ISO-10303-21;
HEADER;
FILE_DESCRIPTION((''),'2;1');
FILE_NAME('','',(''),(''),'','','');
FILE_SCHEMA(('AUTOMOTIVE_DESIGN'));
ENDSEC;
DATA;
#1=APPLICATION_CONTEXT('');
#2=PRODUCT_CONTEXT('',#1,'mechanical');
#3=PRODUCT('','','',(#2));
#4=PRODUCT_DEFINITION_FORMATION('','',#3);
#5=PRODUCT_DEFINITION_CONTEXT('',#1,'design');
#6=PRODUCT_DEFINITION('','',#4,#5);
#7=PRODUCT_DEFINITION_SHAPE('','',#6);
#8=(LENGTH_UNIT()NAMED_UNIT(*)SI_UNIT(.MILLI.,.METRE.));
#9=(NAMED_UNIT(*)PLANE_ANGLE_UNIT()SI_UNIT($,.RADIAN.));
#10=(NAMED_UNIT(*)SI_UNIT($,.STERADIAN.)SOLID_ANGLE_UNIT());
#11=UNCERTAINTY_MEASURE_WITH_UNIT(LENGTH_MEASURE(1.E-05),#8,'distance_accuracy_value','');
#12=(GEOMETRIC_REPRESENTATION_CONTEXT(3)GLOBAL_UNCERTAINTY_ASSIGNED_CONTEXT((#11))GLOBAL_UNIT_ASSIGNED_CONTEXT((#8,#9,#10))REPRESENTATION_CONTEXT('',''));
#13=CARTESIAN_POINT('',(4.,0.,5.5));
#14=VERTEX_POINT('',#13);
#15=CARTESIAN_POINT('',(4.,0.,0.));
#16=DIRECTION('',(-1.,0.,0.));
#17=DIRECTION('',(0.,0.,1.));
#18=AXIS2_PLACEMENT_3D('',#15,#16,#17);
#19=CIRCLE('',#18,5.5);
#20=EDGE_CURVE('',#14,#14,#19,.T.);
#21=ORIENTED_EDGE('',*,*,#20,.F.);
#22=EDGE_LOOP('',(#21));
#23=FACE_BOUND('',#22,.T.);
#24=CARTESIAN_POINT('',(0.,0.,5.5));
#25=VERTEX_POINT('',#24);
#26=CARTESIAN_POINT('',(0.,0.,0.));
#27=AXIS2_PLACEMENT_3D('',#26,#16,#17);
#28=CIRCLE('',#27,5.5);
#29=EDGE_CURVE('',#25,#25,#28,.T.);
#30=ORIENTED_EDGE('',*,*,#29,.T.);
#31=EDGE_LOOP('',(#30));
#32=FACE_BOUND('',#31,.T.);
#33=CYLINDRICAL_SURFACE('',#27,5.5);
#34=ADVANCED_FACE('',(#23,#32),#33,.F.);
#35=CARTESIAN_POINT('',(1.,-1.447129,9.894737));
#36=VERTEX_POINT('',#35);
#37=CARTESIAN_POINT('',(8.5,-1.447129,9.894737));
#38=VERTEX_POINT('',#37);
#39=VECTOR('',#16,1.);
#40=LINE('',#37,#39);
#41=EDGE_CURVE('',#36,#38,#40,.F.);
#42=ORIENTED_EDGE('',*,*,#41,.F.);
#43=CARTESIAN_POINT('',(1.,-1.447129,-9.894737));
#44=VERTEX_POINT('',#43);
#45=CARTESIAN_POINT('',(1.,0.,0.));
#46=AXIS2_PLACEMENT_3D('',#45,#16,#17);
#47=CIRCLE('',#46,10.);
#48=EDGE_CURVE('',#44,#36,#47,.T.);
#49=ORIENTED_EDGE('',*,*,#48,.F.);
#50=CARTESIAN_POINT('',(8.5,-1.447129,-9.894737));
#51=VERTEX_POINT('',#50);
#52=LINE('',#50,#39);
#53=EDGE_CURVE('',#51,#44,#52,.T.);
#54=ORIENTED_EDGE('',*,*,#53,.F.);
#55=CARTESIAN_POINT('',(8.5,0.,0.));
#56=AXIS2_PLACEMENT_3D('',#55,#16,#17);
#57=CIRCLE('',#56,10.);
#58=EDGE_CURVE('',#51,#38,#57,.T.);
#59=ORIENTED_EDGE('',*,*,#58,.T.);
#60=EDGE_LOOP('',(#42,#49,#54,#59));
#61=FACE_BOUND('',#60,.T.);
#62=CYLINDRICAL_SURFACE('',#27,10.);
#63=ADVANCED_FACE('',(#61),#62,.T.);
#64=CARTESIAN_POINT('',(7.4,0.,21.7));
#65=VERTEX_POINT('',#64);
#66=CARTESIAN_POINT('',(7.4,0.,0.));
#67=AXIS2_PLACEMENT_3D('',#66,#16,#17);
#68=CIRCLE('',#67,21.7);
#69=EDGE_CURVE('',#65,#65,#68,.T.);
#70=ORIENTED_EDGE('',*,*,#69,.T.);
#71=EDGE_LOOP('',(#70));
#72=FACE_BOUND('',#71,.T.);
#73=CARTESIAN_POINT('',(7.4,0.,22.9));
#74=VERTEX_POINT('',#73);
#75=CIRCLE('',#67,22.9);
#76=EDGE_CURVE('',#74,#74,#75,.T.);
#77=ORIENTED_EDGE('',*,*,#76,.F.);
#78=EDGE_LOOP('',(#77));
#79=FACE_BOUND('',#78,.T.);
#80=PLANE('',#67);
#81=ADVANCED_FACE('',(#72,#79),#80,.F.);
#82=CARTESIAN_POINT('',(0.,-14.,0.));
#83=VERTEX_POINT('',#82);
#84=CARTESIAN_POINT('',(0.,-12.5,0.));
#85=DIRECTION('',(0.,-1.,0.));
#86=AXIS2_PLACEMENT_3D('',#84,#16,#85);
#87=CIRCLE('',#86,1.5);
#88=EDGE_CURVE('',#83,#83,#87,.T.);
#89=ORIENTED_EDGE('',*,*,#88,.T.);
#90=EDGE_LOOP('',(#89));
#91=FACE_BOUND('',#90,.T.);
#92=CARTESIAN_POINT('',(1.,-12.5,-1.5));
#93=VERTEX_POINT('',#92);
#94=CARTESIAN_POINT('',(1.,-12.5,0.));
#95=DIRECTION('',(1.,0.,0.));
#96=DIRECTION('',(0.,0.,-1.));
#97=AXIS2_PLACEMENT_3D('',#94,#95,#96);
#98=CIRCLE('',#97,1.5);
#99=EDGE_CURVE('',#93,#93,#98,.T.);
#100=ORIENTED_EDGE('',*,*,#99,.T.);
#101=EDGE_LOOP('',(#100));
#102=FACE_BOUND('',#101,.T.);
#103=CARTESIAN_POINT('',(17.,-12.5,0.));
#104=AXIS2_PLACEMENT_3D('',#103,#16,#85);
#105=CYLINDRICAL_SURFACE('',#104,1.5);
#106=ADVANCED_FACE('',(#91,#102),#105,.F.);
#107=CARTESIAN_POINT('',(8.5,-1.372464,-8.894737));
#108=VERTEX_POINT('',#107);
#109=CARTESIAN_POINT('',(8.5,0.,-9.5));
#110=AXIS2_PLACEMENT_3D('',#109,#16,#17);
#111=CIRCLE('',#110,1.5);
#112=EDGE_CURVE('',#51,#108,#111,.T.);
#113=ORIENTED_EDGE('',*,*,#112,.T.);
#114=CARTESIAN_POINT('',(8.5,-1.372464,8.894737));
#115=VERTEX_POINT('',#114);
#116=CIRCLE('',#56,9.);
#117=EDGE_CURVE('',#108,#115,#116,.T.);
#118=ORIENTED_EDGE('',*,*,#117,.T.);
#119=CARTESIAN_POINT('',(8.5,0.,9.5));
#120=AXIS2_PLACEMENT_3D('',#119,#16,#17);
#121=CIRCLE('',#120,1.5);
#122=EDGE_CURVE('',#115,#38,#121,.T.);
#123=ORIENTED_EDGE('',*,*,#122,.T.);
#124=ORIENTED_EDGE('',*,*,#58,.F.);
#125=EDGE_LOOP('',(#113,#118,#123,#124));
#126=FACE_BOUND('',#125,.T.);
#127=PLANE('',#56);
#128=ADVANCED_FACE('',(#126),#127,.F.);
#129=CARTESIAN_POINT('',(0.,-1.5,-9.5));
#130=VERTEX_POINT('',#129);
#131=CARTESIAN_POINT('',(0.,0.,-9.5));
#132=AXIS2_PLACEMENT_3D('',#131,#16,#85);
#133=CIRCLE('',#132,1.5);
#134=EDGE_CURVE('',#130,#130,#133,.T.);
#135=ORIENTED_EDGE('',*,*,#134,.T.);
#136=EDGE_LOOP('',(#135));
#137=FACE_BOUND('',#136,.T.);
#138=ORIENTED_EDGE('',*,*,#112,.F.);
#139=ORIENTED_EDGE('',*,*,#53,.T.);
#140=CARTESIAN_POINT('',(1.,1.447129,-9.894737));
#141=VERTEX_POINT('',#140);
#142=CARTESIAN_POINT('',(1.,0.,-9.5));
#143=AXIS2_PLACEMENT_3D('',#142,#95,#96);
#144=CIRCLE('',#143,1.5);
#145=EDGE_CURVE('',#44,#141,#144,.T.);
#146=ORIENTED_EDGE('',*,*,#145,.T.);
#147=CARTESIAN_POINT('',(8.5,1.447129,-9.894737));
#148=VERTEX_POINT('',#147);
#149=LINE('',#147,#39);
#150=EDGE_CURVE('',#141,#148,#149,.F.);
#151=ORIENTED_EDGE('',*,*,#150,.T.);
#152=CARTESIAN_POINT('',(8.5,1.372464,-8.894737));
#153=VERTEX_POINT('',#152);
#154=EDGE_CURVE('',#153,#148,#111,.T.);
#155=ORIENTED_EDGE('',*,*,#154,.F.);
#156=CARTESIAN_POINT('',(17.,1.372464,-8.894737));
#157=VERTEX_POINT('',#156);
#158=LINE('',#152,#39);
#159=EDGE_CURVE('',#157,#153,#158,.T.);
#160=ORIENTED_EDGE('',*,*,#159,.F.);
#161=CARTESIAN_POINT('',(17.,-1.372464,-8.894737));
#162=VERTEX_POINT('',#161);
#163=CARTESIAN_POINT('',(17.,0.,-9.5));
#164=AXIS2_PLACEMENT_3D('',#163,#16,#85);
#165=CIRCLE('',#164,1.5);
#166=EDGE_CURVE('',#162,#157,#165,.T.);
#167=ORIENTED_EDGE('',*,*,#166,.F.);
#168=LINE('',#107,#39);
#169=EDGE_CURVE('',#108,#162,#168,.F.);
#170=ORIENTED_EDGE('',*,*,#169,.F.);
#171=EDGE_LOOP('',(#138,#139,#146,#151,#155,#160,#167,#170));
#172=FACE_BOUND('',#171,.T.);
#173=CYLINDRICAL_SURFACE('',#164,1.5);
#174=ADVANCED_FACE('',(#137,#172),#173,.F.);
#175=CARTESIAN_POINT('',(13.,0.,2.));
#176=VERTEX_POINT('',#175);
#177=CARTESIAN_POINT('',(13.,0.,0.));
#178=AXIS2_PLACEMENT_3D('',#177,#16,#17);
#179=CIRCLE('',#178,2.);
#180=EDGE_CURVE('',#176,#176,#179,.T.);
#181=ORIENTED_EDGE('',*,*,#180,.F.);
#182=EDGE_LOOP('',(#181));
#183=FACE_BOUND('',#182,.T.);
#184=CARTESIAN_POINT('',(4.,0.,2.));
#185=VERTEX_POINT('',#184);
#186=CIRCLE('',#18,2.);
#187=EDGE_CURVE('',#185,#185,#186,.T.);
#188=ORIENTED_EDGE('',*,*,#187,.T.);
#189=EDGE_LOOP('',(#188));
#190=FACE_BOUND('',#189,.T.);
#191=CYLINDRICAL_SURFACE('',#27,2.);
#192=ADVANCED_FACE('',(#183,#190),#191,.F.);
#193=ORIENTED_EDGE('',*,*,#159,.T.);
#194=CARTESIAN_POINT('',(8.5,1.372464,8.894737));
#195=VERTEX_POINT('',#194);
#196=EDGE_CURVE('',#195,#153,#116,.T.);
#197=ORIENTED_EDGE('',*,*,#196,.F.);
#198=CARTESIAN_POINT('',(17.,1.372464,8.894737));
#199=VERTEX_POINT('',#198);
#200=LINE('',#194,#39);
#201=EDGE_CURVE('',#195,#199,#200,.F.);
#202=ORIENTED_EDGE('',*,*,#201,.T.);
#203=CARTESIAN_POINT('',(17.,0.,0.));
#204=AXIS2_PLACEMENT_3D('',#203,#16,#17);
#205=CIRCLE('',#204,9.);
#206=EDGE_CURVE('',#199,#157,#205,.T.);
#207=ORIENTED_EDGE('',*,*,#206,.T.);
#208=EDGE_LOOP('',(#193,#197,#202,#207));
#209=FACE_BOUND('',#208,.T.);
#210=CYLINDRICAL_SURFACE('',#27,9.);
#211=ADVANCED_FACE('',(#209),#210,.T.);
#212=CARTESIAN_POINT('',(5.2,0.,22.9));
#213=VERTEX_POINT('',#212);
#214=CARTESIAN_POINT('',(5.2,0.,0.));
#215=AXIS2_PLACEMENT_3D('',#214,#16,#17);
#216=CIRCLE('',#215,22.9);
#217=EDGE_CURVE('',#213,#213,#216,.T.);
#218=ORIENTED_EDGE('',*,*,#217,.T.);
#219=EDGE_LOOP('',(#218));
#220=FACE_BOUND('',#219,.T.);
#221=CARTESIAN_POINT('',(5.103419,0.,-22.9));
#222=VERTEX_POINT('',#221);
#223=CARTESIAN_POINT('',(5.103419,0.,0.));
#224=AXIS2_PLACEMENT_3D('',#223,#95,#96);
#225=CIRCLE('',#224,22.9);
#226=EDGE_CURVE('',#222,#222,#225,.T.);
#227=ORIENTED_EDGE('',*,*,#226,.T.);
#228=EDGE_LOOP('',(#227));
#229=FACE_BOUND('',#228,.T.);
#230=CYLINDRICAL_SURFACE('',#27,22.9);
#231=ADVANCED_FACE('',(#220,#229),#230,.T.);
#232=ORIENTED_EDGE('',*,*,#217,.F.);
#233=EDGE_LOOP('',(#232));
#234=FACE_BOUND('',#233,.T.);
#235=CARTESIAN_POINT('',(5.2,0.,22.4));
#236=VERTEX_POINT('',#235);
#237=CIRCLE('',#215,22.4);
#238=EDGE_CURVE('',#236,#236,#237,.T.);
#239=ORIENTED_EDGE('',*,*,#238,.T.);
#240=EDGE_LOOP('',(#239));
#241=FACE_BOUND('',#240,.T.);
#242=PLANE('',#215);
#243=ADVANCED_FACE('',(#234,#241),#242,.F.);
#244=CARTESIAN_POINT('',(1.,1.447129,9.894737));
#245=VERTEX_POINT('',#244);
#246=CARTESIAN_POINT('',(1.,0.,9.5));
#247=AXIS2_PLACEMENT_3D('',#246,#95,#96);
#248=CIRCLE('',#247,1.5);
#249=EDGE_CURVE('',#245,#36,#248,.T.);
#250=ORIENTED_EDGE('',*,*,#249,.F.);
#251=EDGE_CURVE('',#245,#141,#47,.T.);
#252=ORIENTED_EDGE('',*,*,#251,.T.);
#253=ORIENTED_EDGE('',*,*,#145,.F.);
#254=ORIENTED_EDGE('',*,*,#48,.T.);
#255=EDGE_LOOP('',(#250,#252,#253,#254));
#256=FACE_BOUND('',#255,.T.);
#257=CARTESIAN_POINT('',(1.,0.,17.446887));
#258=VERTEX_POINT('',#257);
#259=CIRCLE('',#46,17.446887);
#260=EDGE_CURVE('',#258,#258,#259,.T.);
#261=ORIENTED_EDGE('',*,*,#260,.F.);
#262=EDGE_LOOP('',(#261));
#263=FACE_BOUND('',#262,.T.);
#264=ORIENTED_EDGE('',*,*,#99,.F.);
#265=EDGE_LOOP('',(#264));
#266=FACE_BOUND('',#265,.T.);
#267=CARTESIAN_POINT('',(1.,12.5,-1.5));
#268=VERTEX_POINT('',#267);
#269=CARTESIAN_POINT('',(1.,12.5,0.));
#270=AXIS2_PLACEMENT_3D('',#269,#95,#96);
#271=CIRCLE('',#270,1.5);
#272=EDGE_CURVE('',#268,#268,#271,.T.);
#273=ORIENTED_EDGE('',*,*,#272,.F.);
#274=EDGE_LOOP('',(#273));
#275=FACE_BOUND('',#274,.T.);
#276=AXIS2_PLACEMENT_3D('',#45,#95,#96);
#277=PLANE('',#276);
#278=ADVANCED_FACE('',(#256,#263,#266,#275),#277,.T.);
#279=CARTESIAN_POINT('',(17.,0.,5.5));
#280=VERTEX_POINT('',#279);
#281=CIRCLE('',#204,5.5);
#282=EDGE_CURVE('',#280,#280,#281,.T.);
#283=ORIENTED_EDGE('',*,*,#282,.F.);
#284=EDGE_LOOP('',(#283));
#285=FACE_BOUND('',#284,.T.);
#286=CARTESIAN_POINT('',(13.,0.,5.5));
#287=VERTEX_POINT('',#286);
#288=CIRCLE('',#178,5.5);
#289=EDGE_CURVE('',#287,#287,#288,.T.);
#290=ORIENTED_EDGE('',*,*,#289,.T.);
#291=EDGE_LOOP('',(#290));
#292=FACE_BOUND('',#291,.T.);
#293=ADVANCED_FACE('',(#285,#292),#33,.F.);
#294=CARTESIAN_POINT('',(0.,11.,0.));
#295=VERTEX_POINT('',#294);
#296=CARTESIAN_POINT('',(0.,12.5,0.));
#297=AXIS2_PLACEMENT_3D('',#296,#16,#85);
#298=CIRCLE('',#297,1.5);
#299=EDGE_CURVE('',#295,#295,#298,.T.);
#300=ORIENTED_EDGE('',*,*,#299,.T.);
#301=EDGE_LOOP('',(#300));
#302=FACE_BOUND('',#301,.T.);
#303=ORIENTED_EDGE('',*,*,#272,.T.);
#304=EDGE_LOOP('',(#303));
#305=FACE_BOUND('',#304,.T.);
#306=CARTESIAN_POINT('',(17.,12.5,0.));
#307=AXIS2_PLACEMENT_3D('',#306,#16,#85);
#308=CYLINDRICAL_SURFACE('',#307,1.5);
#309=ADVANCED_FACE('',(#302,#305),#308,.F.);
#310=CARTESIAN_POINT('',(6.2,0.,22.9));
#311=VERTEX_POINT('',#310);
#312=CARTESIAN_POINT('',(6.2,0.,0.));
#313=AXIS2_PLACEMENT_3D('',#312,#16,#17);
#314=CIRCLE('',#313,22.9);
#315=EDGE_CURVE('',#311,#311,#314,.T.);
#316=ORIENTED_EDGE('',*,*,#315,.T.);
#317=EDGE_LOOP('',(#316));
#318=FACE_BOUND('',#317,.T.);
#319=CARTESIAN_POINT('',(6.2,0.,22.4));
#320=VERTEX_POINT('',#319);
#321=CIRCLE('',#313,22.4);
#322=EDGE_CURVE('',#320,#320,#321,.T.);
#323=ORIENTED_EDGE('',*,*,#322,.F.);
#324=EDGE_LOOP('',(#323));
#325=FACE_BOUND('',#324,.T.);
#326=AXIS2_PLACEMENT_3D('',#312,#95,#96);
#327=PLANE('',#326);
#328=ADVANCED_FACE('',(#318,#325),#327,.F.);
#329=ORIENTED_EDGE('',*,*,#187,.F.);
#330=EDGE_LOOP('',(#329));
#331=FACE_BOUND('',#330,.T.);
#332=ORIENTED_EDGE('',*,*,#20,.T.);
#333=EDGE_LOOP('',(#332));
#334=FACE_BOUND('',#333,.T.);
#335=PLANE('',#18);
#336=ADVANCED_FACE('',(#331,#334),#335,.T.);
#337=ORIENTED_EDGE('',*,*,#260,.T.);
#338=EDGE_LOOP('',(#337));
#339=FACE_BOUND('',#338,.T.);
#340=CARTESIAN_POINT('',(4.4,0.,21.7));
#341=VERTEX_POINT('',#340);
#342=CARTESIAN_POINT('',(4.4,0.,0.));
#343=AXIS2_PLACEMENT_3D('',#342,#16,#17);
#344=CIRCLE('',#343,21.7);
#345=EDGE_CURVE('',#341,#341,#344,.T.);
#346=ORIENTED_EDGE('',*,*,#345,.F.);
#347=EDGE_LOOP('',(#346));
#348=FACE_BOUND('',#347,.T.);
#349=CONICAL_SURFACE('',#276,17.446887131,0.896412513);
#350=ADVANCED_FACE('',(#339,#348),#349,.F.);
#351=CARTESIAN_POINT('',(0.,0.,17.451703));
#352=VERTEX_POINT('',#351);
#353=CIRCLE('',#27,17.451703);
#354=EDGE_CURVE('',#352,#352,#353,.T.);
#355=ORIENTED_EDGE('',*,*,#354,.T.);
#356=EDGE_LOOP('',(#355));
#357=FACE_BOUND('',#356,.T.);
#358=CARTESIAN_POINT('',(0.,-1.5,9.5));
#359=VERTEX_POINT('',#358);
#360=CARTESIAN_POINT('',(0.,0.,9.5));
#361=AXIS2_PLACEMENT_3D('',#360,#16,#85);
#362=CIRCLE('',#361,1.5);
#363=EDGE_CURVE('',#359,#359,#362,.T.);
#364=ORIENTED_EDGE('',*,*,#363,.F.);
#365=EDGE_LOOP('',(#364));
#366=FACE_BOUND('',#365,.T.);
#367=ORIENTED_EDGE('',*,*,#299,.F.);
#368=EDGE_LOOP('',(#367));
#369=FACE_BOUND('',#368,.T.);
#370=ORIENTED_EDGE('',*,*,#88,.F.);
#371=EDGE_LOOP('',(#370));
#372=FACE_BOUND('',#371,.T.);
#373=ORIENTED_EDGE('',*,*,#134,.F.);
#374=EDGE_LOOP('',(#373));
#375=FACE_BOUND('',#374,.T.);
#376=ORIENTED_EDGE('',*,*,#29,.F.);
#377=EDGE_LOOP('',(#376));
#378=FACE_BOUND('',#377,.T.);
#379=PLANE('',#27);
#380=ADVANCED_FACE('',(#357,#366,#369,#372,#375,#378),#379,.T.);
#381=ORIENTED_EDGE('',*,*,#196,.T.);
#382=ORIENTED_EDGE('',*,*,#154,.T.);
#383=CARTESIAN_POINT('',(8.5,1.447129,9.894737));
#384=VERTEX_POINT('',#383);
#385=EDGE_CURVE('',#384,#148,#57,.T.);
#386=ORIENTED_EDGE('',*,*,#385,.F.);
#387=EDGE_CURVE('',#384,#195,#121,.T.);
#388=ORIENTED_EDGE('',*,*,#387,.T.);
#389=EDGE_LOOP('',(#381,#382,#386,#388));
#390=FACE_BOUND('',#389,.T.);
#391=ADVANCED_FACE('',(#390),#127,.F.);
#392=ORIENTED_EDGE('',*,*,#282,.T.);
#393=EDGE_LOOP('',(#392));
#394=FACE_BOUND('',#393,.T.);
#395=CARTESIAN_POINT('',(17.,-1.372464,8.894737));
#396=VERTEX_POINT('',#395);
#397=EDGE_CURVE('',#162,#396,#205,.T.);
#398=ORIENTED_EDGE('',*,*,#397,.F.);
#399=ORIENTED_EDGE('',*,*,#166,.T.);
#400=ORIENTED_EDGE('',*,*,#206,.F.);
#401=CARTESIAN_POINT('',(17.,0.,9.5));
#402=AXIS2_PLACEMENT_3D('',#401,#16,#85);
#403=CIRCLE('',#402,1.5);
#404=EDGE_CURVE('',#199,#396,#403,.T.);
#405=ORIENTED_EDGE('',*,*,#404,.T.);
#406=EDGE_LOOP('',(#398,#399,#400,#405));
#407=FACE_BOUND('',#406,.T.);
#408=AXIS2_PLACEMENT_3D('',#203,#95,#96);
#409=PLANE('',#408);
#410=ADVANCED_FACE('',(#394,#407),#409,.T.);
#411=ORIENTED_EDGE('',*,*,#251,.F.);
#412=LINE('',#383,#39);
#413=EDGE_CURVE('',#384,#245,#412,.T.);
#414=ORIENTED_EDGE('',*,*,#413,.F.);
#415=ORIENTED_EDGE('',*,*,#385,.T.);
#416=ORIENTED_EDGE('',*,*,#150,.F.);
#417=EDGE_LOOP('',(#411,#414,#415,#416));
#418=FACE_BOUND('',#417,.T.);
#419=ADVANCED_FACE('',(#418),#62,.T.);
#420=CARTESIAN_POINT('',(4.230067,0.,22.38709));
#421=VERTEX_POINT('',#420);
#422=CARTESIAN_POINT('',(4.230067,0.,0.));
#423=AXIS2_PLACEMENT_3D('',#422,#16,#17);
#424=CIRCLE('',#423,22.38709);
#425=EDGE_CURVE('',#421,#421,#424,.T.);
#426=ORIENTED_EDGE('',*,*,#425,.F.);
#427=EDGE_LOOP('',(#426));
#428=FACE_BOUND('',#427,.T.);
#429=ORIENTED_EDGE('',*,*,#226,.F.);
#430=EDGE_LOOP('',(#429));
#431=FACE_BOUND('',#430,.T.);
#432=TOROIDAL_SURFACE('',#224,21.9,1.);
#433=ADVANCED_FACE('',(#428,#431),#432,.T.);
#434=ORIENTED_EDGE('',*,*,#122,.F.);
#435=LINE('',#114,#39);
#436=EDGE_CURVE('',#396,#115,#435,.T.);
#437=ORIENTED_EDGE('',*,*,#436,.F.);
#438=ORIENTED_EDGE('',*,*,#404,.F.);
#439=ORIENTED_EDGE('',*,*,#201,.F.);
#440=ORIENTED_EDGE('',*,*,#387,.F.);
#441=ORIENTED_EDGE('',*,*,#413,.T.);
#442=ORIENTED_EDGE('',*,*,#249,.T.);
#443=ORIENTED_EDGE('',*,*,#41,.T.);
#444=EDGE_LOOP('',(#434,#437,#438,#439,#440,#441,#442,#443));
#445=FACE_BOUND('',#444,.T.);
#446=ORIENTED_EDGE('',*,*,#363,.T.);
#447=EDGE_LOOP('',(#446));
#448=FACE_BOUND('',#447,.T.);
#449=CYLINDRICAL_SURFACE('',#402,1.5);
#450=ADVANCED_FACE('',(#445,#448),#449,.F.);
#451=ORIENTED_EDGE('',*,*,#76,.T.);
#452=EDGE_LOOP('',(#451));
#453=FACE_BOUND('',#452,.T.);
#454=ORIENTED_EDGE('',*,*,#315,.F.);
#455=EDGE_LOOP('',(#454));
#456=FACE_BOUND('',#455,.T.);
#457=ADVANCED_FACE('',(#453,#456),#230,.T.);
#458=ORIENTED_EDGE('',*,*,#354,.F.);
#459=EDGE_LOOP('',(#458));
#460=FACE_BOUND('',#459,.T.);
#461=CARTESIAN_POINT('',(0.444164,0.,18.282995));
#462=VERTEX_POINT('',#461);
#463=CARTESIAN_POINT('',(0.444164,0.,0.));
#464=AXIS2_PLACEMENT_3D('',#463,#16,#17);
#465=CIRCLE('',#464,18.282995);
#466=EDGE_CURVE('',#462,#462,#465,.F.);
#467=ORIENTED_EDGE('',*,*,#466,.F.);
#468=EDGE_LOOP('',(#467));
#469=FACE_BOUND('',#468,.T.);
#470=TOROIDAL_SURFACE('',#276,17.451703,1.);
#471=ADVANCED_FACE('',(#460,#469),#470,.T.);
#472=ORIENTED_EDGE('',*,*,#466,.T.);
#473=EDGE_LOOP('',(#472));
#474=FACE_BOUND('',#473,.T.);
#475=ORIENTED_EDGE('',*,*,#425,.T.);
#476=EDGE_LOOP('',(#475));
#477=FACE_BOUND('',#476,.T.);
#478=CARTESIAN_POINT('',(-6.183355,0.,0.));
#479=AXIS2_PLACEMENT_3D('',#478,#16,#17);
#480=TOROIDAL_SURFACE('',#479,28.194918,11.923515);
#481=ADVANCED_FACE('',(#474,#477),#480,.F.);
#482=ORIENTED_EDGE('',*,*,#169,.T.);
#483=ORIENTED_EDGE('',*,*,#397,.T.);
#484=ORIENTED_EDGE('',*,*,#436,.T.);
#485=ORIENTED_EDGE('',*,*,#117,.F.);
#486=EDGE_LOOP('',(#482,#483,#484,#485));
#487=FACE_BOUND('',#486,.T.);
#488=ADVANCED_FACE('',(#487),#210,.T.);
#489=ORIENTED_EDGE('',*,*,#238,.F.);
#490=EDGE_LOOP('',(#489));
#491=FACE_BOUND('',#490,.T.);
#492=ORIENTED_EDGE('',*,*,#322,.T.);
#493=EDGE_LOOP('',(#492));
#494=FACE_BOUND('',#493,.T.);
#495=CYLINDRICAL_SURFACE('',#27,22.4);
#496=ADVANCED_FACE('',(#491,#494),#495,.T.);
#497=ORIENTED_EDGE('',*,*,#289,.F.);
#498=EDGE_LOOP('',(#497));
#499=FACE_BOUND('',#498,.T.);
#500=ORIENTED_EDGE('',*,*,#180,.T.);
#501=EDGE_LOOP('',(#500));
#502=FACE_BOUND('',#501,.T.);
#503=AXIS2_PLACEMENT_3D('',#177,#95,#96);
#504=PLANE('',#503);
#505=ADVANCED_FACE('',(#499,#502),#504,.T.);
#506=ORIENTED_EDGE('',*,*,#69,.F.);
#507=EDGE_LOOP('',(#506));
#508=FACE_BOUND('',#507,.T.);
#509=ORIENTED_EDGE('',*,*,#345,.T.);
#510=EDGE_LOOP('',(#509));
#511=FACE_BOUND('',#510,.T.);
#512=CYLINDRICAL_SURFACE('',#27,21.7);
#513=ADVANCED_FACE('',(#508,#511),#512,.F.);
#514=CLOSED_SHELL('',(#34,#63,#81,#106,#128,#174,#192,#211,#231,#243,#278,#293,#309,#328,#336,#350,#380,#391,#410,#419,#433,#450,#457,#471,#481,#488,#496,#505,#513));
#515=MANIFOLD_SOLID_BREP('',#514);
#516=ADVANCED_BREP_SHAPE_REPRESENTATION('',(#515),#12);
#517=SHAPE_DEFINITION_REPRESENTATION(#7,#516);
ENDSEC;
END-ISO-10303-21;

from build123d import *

# Parameters (mm, degrees)
FILLET1_R          = 1
SKETCH3_R          = 1.5
CUT_EXTRUDE2_DEPTH = 37.576222301


with BuildPart() as part:
    # Sketch1 → Revolve1 (revolve)
    with BuildSketch(Plane.XY, mode=Mode.PRIVATE) as revolve1_sk:
        with BuildLine():
            Line((4, 2), (4, 5.5))
            Line((4, 5.5), (0, 5.5))
            Line((0, 5.5), (0, 18))
            ThreePointArc((0, 18), (2.598670777, 20.129792144), (4.5, 22.9))
            Line((4.5, 22.9), (5.2, 22.9))
            Line((5.2, 22.9), (5.2, 22.4))
            Line((5.2, 22.4), (6.2, 22.4))
            Line((6.2, 22.4), (6.2, 22.9))
            Line((6.2, 22.9), (7.4, 22.9))
            Line((7.4, 22.9), (7.4, 21.7))
            Line((7.4, 21.7), (4.4, 21.7))
            Line((4.4, 21.7), (1, 17.446887131))
            Line((1, 17.446887131), (1, 10))
            Line((1, 10), (8.5, 10))
            Line((8.5, 10), (8.5, 9))
            Line((8.5, 9), (17, 9))
            Line((17, 9), (17, 5.5))
            Line((17, 5.5), (13, 5.5))
            Line((13, 5.5), (13, 2))
            Line((13, 2), (4, 2))
        make_face()
    revolve(revolve1_sk.sketch.rotate(Axis((0, 0, 0), (1, 0, 0)), 90), axis=Axis((0, 0, 0), (1, 0, 0)))

    # Fillet1
    fillet1_edges = [part.edges().sort_by_distance(p)[0] for p in [
        (4.5, 0, -22.9),
        (0, 0, -18),
    ]]
    fillet(fillet1_edges, radius=FILLET1_R)

    # Sketch3 → Cut-Extrude2 (cut, through all)
    with BuildSketch(Plane.ZY):
        with Locations(Location((-9.5, 0, 0), (0, 0, 270))):
            Circle(SKETCH3_R)
        with Locations(Location((0, 12.5, 0), (0, 0, 270))):
            Circle(SKETCH3_R)
        with Locations(Location((9.5, 0, 0), (0, 0, 270))):
            Circle(SKETCH3_R)
        with Locations(Location((0, -12.5, 0), (0, 0, 270))):
            Circle(SKETCH3_R)
    extrude(amount=-CUT_EXTRUDE2_DEPTH, mode=Mode.SUBTRACT)


solid = part.part
